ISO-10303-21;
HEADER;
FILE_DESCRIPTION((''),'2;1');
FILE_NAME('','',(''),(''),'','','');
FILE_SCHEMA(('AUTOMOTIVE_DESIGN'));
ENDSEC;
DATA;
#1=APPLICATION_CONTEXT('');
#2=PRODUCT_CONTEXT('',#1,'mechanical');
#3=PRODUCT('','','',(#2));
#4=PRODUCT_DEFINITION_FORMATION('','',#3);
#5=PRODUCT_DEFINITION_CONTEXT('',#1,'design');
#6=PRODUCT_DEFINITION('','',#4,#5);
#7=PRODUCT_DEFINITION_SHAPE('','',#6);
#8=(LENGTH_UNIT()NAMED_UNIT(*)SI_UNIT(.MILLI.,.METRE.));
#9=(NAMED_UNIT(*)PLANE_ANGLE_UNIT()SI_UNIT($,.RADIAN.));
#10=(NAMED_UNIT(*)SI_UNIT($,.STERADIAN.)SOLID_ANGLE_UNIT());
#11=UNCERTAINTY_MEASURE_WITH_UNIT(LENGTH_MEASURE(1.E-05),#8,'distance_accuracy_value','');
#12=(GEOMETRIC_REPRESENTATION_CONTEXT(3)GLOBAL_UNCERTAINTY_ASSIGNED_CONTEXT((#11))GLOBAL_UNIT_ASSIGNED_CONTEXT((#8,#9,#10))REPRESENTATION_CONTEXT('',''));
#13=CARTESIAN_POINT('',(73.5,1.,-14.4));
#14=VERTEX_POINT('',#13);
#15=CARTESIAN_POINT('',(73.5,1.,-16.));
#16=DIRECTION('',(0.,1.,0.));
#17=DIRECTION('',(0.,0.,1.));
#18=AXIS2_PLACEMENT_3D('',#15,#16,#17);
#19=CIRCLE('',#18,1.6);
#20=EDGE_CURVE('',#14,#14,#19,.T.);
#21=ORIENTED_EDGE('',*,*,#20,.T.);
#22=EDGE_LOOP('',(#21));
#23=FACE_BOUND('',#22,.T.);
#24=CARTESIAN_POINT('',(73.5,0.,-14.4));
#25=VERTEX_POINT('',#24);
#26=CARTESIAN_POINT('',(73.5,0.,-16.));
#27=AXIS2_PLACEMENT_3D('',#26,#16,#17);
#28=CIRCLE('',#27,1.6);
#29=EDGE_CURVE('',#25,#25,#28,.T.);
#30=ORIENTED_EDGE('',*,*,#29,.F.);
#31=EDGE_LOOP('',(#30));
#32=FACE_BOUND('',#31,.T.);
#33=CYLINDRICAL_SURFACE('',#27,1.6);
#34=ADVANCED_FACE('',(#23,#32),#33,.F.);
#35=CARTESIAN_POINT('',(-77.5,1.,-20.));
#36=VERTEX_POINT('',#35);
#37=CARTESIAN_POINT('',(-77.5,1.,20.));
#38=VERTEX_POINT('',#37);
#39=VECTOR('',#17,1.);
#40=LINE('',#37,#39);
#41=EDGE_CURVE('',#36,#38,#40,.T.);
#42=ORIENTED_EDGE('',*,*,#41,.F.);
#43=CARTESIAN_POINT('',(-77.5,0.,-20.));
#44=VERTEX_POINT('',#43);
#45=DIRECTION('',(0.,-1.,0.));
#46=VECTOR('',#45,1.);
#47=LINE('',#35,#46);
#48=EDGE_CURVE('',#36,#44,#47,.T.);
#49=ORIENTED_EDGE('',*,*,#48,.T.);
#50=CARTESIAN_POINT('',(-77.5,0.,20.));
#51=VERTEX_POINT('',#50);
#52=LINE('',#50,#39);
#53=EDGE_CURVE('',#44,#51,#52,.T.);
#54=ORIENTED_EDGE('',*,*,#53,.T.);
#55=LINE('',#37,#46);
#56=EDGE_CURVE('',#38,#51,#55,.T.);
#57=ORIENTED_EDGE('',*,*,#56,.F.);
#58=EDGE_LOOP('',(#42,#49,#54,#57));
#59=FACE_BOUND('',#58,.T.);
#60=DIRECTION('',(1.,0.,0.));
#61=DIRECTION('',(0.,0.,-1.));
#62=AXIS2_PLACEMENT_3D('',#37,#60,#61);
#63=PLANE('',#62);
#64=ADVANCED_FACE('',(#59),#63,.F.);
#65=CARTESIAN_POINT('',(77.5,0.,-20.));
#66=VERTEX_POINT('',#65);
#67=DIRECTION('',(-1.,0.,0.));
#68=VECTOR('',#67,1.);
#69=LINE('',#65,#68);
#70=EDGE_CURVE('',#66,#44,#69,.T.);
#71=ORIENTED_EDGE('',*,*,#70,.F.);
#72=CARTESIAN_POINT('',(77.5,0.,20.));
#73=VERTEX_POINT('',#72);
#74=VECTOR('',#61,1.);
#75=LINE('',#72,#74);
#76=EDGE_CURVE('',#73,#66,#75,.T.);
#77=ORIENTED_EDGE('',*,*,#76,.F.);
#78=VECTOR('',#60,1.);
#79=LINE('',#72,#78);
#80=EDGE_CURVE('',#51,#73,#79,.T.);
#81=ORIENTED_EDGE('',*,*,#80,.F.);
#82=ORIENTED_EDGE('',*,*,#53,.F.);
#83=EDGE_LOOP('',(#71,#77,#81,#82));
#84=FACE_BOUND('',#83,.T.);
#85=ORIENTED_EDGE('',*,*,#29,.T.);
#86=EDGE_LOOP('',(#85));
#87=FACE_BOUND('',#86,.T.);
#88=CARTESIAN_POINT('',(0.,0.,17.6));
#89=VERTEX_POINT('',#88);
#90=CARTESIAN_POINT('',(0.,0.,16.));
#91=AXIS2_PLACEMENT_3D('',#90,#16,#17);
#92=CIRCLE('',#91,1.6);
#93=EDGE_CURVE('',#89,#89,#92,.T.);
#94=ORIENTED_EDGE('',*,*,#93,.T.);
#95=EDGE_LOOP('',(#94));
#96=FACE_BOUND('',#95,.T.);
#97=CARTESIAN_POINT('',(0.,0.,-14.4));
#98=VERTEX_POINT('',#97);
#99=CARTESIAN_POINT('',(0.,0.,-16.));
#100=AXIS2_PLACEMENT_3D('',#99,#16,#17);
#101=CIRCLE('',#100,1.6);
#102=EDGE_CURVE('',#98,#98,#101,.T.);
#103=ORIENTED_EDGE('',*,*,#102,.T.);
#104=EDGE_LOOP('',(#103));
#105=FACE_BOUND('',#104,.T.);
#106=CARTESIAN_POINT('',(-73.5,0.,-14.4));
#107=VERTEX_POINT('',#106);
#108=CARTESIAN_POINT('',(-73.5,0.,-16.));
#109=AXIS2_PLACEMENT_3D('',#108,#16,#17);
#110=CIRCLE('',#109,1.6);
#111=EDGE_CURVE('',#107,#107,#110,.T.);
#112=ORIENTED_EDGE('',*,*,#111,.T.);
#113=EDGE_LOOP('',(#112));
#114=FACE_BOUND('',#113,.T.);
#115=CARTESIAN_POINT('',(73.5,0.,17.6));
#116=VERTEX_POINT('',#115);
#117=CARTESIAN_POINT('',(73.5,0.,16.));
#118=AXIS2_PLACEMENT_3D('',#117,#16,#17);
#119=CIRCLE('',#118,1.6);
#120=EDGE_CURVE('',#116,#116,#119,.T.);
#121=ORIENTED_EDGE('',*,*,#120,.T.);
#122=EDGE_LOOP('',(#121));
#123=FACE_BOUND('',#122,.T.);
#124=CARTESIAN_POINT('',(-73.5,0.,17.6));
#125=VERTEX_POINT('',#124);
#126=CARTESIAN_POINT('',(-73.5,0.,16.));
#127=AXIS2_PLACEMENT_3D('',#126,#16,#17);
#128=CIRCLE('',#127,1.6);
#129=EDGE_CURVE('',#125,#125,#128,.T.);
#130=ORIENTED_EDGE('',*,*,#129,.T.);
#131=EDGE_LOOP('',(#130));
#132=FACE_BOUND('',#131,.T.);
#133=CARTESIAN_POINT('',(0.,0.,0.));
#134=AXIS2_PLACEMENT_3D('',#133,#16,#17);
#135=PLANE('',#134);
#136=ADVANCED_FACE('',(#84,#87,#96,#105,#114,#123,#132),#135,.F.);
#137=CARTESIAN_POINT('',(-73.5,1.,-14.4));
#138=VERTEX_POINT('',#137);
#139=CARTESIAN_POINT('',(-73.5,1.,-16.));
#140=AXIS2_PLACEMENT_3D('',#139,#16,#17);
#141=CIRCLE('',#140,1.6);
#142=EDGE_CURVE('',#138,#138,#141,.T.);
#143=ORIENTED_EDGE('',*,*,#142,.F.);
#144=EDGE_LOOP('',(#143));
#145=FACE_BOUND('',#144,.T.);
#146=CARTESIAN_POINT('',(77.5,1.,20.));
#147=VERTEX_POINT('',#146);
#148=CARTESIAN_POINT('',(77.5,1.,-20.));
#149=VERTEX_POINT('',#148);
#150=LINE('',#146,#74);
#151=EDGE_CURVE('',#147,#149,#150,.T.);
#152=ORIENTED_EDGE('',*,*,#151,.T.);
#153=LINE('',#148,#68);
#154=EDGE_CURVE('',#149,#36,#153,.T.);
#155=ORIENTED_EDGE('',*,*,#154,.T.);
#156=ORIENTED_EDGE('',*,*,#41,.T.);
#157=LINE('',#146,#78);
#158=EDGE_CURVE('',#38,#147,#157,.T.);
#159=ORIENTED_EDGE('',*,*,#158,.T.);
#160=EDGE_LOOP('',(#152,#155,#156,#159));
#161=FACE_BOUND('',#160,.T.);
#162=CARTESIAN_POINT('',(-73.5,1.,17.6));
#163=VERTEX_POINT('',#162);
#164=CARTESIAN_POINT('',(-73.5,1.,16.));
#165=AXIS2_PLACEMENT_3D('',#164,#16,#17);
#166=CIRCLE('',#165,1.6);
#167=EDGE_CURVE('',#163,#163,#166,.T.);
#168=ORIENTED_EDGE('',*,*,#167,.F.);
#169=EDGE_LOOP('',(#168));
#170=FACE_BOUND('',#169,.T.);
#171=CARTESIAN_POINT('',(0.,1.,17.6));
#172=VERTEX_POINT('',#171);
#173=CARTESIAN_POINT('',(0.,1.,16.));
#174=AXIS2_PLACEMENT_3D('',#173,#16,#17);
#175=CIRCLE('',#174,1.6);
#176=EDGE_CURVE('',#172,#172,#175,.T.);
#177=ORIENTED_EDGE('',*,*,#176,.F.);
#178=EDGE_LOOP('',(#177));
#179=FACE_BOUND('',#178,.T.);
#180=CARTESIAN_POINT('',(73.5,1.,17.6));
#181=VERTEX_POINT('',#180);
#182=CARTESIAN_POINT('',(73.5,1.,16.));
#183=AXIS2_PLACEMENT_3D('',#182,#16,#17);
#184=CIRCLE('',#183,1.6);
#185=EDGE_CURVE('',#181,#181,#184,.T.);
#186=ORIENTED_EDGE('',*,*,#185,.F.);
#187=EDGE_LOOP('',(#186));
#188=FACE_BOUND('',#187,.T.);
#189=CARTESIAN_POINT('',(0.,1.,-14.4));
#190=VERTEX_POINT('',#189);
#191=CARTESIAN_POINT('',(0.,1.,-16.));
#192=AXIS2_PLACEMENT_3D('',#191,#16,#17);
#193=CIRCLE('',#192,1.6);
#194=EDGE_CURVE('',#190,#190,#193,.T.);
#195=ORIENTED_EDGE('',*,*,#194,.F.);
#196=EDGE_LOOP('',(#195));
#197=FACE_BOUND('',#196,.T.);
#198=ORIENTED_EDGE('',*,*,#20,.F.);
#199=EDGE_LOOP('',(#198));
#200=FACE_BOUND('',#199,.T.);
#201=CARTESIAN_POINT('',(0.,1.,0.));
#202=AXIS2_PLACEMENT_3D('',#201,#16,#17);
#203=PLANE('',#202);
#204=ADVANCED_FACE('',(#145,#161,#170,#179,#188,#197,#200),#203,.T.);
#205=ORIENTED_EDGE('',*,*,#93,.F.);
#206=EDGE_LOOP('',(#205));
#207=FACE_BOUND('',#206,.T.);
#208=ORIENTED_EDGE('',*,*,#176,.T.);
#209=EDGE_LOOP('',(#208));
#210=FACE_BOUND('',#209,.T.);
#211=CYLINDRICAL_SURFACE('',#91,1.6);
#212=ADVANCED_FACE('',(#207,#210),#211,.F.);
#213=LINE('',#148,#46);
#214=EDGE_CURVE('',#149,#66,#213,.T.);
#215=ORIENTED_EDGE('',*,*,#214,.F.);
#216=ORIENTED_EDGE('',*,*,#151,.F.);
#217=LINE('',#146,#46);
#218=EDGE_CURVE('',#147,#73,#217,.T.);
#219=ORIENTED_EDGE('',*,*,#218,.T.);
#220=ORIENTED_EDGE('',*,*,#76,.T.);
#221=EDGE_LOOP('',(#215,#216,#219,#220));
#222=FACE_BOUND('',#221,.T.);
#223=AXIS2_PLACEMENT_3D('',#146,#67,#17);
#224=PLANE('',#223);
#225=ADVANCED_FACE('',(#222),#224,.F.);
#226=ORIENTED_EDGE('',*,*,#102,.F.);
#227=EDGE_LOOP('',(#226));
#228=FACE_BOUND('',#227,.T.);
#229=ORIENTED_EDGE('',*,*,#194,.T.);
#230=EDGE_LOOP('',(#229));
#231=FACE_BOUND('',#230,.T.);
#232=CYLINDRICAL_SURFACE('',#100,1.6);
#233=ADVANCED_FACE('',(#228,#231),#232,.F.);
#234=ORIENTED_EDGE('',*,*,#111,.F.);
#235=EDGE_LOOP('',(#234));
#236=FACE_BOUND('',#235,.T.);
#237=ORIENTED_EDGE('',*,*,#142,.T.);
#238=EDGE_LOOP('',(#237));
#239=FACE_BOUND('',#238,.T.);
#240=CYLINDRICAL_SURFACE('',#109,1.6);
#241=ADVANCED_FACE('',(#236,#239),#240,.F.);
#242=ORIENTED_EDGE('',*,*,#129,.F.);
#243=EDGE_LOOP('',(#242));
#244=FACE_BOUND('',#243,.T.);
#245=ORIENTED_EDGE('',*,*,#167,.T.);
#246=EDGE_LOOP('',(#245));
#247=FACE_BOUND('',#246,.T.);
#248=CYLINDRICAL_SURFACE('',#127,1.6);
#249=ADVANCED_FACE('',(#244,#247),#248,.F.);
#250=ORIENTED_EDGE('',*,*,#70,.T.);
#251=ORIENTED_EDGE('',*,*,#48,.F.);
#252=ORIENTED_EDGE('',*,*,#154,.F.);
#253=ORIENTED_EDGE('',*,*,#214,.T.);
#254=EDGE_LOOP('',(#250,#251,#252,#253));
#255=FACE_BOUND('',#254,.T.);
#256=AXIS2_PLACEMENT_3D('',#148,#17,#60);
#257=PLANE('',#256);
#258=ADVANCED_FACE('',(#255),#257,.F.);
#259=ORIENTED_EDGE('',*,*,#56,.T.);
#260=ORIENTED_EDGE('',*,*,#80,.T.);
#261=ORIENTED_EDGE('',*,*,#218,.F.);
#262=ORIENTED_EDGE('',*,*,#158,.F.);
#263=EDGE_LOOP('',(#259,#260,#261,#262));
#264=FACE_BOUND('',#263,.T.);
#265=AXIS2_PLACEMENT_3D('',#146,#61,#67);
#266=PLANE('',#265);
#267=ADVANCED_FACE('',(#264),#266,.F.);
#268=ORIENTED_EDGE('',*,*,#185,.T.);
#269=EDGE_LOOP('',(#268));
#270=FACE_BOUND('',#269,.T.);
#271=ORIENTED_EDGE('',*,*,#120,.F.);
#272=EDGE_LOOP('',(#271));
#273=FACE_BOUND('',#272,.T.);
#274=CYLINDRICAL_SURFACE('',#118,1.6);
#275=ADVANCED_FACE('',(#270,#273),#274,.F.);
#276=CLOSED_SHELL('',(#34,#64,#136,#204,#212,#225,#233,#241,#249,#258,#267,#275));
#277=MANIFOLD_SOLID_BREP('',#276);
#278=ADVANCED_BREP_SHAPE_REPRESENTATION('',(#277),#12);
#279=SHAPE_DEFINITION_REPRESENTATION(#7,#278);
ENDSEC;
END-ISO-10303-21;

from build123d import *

# Parameters (mm, degrees)
SKETCH_1_W          = 155
SKETCH_1_H          = 40
EXTRUDE_1_DEPTH     = 1
SKETCH_2_R          = 1.6
CUT_EXTRUDE_1_DEPTH = 81.045299675


with BuildPart() as part:
    # Эскиз1 → Бобышка-Вытянуть1 (new body)
    with BuildSketch(Plane(origin=(0, 0, 0), x_dir=(1, 0, 0), z_dir=(0, 1, 0))):
        Rectangle(SKETCH_1_W, SKETCH_1_H)
    extrude(amount=EXTRUDE_1_DEPTH)

    # Эскиз2 → Вырез-Вытянуть1 (cut, through all)
    with BuildSketch(Plane(origin=(0, 1, 0), x_dir=(1, 0, 0), z_dir=(0, 1, 0))):
        with Locations(Location((-73.5, 16, 0), (0, 0, 270))):
            Circle(SKETCH_2_R)
        with Locations(Location((-73.5, -16, 0), (0, 0, 270))):
            Circle(SKETCH_2_R)
        with Locations(Location((73.5, 16, 0), (0, 0, 270))):
            Circle(SKETCH_2_R)
        with Locations(Location((73.5, -16, 0), (0, 0, 270))):
            Circle(SKETCH_2_R)
        with Locations(Location((0, 16, 0), (0, 0, 270))):
            Circle(SKETCH_2_R)
        with Locations(Location((0, -16, 0), (0, 0, 270))):
            Circle(SKETCH_2_R)
    extrude(amount=-CUT_EXTRUDE_1_DEPTH, mode=Mode.SUBTRACT)


solid = part.part
